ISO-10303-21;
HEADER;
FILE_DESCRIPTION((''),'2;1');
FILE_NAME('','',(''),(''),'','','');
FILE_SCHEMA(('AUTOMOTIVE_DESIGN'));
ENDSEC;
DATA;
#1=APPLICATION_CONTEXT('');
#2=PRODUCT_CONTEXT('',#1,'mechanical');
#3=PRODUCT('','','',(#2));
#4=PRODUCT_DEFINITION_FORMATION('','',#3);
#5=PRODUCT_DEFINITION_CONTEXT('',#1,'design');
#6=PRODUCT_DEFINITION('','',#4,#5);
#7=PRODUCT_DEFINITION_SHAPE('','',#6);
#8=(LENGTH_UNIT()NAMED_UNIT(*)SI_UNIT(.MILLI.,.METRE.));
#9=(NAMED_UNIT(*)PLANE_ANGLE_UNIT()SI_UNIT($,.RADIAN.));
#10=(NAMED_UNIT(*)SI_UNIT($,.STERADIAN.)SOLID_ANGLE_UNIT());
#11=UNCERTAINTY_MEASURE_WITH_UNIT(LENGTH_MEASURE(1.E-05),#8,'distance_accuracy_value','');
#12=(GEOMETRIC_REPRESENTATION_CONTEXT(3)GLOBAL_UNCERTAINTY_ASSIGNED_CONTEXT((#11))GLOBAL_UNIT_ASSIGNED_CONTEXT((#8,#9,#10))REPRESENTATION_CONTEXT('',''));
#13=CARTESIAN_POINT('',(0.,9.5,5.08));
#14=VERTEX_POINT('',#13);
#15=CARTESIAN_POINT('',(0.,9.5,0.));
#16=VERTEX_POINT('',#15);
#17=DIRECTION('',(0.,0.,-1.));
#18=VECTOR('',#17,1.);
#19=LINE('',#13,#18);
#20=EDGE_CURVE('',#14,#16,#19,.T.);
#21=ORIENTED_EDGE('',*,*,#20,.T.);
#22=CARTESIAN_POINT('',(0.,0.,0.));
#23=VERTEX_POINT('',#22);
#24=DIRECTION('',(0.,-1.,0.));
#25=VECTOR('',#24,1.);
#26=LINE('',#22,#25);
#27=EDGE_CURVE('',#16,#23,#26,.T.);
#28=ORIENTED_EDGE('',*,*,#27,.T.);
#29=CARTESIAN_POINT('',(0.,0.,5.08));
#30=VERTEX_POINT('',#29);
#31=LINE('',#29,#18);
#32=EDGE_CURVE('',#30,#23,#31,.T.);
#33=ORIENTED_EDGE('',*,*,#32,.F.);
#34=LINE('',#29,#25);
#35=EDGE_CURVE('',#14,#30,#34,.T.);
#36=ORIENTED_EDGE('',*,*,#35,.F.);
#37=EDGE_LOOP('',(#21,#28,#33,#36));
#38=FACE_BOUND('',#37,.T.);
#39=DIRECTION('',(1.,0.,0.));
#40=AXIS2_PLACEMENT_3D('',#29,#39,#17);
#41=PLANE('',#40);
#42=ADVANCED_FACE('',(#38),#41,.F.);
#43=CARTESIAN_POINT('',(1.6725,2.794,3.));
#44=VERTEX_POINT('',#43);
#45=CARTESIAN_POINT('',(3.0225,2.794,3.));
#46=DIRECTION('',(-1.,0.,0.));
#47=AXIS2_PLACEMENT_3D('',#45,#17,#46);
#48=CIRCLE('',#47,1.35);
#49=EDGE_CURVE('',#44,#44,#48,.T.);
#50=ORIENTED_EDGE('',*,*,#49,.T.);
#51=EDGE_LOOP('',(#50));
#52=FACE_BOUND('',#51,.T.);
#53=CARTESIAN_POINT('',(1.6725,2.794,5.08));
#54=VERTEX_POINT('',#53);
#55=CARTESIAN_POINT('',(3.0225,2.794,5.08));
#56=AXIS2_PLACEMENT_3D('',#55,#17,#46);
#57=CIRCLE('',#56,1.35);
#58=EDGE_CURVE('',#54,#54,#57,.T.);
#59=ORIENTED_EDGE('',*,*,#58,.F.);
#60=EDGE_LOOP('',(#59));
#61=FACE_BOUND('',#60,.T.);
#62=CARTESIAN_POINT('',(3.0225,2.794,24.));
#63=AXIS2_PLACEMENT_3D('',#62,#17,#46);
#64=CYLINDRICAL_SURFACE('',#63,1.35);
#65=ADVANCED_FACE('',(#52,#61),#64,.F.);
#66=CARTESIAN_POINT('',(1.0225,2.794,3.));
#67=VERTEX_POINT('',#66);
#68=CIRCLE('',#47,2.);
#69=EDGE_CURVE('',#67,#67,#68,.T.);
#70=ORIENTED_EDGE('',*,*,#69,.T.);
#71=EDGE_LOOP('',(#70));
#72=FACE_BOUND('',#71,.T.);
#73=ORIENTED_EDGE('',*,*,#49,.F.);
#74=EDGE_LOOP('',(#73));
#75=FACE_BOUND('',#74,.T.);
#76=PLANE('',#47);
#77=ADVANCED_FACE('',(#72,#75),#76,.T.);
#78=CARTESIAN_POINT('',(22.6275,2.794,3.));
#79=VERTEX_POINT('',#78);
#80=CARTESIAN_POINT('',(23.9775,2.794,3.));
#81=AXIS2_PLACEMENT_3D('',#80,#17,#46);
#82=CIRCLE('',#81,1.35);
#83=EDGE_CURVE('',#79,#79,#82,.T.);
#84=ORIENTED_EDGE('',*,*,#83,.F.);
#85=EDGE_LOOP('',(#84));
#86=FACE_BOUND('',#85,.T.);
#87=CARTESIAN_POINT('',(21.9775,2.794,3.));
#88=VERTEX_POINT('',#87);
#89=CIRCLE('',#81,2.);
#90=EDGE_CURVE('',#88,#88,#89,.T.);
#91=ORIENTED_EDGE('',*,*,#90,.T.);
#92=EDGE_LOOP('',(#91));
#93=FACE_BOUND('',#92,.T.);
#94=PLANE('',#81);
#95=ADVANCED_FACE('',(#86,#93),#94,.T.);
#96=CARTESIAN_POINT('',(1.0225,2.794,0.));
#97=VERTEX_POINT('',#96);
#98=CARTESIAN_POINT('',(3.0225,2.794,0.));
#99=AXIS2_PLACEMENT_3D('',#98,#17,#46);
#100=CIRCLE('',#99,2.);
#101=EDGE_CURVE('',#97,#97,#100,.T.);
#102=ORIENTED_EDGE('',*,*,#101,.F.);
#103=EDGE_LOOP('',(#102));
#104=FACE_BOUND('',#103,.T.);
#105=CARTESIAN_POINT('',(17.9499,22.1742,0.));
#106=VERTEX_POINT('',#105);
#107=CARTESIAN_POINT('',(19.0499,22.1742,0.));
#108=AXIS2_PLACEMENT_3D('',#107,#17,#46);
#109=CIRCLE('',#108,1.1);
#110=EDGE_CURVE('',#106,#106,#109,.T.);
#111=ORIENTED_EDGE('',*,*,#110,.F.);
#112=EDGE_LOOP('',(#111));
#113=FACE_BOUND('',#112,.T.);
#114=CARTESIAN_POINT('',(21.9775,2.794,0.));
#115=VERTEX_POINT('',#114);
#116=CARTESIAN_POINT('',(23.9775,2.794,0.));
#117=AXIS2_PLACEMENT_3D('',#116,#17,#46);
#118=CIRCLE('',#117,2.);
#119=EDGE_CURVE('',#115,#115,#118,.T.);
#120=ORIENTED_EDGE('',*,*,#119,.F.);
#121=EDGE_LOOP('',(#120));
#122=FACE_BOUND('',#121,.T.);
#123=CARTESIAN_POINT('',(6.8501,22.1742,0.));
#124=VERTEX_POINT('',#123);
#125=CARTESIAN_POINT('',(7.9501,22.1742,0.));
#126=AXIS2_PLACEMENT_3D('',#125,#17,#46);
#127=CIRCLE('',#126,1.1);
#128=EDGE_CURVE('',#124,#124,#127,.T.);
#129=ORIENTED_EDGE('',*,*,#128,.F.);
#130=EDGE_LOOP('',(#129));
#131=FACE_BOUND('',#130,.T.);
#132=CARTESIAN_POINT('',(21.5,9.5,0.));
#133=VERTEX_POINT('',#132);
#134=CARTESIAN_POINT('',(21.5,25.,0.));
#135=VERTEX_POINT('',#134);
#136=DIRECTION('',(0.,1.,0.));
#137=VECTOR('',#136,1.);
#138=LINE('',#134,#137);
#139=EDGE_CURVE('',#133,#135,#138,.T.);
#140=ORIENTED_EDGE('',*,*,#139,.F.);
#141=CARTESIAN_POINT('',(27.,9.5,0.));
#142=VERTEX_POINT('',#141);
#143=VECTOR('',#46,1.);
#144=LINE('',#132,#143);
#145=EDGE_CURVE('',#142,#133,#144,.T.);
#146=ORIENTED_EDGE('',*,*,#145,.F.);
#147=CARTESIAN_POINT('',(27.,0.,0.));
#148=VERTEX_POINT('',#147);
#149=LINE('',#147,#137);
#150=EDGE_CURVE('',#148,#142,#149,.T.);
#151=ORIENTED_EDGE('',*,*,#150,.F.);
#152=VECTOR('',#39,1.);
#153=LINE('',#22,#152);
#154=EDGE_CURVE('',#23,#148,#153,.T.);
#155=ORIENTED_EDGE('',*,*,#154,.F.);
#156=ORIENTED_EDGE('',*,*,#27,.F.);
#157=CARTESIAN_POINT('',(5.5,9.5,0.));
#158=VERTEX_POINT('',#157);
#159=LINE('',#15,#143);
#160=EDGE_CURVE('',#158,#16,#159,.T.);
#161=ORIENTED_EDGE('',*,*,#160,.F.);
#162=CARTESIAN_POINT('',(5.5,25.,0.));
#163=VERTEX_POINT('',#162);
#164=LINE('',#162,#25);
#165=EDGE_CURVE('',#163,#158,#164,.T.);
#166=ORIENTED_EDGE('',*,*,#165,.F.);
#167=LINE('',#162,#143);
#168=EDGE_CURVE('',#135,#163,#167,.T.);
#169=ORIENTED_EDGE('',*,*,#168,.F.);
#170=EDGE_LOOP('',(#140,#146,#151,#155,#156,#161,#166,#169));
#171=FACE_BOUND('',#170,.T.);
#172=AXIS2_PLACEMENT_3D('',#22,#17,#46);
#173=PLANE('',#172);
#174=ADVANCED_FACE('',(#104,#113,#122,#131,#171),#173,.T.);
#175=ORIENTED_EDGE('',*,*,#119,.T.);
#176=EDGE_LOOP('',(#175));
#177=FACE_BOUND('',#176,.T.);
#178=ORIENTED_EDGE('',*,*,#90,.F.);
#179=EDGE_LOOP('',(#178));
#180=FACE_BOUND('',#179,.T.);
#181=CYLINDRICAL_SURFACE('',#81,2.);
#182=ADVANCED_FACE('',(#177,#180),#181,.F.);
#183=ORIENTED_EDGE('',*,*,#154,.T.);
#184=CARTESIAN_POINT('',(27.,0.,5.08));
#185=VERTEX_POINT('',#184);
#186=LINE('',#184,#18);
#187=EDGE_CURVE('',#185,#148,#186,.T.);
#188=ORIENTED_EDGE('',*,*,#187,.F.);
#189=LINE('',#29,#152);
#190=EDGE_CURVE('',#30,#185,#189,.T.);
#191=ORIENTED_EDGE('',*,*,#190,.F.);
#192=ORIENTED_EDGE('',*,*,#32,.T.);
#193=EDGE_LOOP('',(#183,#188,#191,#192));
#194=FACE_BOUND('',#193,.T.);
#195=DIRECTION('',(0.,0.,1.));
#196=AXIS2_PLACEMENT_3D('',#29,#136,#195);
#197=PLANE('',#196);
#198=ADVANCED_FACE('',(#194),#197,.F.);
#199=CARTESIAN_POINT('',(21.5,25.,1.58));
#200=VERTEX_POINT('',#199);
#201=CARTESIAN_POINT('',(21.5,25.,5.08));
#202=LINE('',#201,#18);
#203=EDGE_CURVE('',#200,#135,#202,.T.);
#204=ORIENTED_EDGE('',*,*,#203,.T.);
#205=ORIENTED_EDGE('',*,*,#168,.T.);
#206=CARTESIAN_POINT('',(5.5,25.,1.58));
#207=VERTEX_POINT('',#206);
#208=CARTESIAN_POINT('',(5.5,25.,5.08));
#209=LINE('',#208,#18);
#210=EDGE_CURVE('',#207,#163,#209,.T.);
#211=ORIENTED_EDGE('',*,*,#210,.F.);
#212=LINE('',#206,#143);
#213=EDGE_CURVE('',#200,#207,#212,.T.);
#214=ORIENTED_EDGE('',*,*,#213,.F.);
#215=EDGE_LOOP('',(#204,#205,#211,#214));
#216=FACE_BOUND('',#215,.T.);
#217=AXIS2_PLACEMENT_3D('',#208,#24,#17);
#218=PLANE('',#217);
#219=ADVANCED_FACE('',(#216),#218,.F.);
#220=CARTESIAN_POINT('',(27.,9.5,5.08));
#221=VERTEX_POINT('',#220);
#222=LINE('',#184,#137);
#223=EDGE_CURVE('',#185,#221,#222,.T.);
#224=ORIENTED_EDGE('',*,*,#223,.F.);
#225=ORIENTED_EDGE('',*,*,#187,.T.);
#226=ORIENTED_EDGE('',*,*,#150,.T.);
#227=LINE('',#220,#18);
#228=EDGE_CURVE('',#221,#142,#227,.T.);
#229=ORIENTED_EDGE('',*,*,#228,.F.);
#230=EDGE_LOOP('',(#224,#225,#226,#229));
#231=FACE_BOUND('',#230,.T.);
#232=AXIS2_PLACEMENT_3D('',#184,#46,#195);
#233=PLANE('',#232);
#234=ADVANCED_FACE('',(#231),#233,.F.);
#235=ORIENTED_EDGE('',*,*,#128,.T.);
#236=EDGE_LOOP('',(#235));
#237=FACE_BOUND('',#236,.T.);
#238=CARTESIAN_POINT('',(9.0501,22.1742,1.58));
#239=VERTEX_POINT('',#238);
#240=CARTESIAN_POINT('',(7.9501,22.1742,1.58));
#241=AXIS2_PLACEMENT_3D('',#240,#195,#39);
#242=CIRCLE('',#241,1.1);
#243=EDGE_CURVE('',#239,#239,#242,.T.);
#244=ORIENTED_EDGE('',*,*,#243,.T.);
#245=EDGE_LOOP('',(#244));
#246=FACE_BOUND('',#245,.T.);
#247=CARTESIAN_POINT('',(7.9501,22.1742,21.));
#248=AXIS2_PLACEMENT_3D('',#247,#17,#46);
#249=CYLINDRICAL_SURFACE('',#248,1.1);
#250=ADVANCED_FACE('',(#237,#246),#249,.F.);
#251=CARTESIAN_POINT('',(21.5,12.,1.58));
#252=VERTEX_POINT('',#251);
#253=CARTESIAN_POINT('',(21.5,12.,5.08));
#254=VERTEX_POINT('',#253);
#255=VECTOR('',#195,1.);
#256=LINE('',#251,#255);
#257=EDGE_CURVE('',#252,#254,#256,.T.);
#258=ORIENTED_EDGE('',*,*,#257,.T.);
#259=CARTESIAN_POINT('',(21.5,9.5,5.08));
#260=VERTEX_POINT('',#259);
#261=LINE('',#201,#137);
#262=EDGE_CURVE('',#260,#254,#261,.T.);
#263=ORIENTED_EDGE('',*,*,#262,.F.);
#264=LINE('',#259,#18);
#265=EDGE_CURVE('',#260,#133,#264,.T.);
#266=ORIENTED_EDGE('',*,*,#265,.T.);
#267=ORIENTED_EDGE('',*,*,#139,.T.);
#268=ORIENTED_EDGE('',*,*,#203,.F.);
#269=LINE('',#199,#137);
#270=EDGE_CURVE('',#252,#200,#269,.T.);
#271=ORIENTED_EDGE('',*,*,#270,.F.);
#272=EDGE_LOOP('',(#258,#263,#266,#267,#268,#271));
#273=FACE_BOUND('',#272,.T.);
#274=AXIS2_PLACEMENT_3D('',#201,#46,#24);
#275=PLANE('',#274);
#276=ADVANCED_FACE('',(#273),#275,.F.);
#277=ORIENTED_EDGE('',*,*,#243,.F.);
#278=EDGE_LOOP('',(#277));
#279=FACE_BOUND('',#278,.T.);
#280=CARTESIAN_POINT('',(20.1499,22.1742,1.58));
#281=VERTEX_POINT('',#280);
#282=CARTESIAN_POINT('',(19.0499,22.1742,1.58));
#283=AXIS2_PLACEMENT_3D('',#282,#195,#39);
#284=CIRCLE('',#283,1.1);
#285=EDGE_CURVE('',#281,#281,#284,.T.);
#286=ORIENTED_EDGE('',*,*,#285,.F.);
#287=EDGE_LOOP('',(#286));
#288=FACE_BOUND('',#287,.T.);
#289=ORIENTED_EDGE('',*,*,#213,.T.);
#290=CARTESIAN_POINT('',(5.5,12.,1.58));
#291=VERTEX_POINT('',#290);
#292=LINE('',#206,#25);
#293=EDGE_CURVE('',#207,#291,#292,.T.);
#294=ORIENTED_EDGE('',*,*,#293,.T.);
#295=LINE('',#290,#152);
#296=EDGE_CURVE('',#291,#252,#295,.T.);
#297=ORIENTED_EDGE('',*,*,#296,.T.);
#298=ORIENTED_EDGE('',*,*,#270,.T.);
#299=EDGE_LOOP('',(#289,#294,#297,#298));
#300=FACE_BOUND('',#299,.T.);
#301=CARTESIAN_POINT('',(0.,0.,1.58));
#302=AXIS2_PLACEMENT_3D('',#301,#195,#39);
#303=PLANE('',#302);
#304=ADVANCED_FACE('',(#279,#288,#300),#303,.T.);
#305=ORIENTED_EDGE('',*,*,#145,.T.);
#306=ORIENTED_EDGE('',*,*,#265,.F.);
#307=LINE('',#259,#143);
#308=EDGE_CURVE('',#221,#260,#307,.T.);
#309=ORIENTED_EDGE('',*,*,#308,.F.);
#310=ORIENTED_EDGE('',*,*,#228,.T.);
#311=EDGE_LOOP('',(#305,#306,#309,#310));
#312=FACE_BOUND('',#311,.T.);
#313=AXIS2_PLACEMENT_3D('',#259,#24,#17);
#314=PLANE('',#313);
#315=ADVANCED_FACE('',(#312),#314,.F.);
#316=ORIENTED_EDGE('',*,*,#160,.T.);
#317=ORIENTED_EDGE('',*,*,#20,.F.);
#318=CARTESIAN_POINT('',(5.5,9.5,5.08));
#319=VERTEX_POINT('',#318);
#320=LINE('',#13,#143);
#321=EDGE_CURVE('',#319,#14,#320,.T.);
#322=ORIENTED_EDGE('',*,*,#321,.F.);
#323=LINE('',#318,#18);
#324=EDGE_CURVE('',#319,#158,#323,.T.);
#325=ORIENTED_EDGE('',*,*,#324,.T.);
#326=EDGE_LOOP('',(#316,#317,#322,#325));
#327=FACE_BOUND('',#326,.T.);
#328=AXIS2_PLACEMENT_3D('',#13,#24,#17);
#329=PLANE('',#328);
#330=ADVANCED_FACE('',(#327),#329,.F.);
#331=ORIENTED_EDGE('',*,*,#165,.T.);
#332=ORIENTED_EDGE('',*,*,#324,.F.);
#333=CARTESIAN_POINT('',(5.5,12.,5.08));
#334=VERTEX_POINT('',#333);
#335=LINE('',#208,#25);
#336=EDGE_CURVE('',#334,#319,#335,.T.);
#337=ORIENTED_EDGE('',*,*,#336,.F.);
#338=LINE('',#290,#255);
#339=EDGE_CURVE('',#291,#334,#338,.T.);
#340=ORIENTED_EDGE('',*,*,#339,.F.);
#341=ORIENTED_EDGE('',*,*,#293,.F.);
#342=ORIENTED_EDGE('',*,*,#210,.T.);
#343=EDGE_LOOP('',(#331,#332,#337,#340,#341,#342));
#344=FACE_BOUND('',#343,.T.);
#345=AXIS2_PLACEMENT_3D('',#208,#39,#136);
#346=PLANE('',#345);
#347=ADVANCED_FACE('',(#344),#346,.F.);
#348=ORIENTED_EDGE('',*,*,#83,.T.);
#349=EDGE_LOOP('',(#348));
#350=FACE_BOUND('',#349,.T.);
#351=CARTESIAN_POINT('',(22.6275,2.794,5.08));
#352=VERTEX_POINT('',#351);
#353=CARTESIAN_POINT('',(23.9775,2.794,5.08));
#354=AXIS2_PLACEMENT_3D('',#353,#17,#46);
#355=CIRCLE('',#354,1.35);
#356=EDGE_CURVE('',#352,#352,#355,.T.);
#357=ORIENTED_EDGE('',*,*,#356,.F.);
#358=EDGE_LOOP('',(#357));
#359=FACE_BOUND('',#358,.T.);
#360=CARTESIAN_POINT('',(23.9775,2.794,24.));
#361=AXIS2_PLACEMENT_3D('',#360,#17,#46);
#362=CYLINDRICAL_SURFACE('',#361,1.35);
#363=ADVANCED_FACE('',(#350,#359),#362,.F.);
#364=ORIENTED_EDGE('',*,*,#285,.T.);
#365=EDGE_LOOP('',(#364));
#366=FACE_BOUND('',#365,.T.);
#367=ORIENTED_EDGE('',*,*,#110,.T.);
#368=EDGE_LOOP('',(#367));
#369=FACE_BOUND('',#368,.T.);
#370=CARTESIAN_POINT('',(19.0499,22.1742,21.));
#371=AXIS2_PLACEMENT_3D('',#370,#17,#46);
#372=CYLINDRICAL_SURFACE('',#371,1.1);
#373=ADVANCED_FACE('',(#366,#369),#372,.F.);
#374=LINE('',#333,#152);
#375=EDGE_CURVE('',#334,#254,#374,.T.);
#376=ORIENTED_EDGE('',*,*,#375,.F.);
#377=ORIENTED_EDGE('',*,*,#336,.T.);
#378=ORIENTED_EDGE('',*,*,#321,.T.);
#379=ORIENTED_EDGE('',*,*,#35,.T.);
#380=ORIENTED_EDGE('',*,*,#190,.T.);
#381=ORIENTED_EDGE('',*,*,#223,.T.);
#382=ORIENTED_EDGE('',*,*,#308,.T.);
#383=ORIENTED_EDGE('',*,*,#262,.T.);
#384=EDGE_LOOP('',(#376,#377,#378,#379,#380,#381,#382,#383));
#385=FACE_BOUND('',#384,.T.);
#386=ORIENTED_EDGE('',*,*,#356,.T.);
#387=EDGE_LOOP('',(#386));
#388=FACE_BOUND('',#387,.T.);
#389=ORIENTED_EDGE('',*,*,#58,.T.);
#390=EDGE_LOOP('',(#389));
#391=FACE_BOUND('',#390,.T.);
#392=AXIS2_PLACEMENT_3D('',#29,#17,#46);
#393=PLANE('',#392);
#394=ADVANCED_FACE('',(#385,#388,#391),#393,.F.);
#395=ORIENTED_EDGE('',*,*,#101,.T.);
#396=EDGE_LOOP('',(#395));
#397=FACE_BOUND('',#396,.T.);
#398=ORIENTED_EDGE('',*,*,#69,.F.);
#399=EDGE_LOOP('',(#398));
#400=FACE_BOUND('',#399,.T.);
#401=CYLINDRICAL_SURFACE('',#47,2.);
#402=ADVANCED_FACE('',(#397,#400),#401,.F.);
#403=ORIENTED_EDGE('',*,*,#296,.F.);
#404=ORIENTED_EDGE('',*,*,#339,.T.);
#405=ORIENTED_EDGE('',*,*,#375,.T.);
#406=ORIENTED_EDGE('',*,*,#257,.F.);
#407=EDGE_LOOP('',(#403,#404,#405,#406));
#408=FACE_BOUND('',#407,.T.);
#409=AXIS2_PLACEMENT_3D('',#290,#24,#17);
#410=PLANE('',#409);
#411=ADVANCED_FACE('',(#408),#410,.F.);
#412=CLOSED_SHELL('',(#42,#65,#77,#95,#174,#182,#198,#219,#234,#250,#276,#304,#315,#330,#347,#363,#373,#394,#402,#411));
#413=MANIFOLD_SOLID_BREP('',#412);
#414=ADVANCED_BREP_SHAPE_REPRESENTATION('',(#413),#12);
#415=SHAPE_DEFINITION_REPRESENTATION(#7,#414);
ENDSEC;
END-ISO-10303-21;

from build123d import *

# Parameters (mm, degrees)
BOSS_EXTRUDE1_DEPTH = 5.08
SKETCH2_W           = 16
SKETCH2_H           = 13
CUT_EXTRUDE1_DEPTH  = 3.5
SKETCH3_R           = 2
CUT_EXTRUDE2_DEPTH  = 3
SKETCH4_R           = 1.1
CUT_EXTRUDE3_DEPTH  = 21
SKETCH5_R           = 1.35
CUT_EXTRUDE4_DEPTH  = 21


with BuildPart() as part:
    # Sketch1 → Boss-Extrude1 (new body)
    with BuildSketch(Plane.XY):
        Polygon((0, 9.5), (5.5, 9.5), (5.5, 25), (21.5, 25), (21.5, 9.5), (27, 9.5), (27, 0), (0, 0), align=None)
    extrude(amount=BOSS_EXTRUDE1_DEPTH)

    # Sketch2 → Cut-Extrude1 (cut)
    with BuildSketch(Plane.XY.offset(5.08)):
        with Locations((13.5, 18.5)):
            Rectangle(SKETCH2_W, SKETCH2_H)
    extrude(amount=-CUT_EXTRUDE1_DEPTH, mode=Mode.SUBTRACT)

    # Sketch3 → Cut-Extrude2 (cut)
    with BuildSketch(Plane(origin=(0, 0, 0), x_dir=(-1, 0, 0), z_dir=(0, 0, -1))):
        with Locations((-23.9775, 2.794)):
            Circle(SKETCH3_R)
        with Locations((-3.0225, 2.794)):
            Circle(SKETCH3_R)
    extrude(amount=-CUT_EXTRUDE2_DEPTH, mode=Mode.SUBTRACT)

    # Sketch4 → Cut-Extrude3 (cut)
    with BuildSketch(Plane(origin=(0, 0, 0), x_dir=(-1, 0, 0), z_dir=(0, 0, -1))):
        with Locations((-19.0499, 22.1742)):
            Circle(SKETCH4_R)
        with Locations((-7.9501, 22.1742)):
            Circle(SKETCH4_R)
    extrude(amount=-CUT_EXTRUDE3_DEPTH, mode=Mode.SUBTRACT)

    # Sketch5 → Cut-Extrude4 (cut)
    with BuildSketch(Plane(origin=(0, 0, 3), x_dir=(-1, 0, 0), z_dir=(0, 0, -1))):
        with Locations((-23.9775, 2.794)):
            Circle(SKETCH5_R)
        with Locations((-3.0225, 2.794)):
            Circle(SKETCH5_R)
    extrude(amount=-CUT_EXTRUDE4_DEPTH, mode=Mode.SUBTRACT)


solid = part.part
